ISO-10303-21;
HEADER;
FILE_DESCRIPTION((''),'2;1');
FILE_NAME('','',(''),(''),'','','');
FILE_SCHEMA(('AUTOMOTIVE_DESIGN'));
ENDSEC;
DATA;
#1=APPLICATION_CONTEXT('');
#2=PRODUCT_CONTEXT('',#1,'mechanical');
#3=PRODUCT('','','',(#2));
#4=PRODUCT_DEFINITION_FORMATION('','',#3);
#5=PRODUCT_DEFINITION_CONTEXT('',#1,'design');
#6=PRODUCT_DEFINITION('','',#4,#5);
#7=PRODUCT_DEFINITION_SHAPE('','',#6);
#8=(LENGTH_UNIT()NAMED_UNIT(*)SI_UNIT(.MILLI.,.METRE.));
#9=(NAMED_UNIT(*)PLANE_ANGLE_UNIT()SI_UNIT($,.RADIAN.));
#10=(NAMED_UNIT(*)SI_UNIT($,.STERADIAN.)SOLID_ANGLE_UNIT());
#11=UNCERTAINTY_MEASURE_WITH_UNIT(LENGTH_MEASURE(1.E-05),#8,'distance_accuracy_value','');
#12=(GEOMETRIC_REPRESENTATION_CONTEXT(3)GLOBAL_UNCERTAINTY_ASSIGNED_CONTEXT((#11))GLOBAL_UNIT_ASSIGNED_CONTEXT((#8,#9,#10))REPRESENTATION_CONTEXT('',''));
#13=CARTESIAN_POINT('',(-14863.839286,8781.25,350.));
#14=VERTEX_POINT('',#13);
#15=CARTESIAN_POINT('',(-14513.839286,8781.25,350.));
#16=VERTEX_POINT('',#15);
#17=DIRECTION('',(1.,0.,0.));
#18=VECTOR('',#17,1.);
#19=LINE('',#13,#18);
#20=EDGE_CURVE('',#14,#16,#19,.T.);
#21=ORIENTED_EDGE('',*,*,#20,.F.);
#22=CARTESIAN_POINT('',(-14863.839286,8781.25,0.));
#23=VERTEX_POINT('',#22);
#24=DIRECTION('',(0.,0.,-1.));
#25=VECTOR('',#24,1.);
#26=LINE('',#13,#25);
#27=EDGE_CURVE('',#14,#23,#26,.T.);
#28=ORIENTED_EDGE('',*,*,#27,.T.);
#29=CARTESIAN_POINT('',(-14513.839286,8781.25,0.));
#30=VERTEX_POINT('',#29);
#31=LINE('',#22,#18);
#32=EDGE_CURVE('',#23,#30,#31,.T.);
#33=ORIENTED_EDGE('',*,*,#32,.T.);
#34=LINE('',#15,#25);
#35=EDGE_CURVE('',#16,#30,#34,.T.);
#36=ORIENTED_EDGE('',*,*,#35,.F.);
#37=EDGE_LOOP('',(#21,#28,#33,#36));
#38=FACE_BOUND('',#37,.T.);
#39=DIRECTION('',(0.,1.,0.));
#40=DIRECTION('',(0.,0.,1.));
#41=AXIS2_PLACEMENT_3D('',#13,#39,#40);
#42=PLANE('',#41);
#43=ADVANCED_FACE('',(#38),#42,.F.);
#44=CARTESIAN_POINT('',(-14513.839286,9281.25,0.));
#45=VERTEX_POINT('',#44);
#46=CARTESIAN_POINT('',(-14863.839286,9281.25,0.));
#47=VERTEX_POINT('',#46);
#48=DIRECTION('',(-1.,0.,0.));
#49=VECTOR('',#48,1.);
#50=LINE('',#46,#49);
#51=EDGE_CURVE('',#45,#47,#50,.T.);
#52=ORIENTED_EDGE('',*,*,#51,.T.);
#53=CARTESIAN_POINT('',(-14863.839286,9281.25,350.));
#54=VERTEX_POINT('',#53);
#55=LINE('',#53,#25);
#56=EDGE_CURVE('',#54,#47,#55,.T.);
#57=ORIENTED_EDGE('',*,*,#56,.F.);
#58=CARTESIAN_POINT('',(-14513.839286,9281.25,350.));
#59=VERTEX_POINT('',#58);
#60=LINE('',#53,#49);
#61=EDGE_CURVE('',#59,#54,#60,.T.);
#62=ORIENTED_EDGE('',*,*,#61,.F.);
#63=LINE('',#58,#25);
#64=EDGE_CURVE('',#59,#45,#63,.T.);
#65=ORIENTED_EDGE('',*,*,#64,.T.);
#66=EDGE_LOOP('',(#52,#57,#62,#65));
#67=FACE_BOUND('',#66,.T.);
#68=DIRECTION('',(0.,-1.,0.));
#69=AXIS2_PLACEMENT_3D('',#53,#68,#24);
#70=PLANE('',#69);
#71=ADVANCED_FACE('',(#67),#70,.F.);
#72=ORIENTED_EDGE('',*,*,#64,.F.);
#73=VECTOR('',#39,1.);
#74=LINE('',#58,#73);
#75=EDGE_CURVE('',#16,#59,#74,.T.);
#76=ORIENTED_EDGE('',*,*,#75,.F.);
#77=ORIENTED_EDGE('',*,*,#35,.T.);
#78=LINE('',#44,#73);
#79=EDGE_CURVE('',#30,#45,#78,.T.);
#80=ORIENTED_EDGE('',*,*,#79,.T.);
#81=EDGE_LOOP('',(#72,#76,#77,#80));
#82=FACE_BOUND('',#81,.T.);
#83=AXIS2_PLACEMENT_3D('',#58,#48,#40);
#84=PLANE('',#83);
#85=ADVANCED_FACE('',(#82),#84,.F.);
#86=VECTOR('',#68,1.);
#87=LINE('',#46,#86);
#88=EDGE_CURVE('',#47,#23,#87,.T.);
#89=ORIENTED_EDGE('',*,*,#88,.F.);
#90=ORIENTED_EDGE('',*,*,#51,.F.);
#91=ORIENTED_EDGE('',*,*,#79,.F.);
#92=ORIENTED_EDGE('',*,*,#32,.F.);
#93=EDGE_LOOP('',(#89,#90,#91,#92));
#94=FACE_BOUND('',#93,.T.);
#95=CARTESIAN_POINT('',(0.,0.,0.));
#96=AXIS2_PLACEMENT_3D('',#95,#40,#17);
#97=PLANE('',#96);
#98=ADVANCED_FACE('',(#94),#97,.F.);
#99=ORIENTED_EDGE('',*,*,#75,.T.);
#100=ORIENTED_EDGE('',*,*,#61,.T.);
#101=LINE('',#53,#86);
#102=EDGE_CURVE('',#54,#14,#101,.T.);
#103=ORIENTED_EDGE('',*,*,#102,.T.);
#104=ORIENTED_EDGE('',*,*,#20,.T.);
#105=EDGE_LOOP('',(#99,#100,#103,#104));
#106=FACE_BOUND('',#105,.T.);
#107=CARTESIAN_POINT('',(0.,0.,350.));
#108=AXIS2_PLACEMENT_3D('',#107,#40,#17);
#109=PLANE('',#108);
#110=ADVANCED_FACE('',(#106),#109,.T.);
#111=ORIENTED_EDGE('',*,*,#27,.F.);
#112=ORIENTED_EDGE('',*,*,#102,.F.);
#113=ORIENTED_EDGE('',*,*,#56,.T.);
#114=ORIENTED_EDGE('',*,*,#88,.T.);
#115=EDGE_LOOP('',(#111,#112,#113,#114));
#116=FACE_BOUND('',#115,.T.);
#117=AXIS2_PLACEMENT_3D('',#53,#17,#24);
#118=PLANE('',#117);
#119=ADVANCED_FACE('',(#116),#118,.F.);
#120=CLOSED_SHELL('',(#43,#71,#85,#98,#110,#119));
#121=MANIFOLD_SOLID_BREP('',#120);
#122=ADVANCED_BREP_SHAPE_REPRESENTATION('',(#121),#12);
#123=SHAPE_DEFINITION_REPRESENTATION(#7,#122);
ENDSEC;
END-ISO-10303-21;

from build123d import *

# Parameters (mm, degrees)
SKETCH_1_W      = 350
SKETCH_1_H      = 500
EXTRUDE_1_DEPTH = 350


with BuildPart() as part:
    # 草圖1 → 填料-伸長1 (new body)
    with BuildSketch(Plane.XY):
        with Locations((-14688.839285714, 9031.25)):
            Rectangle(SKETCH_1_W, SKETCH_1_H)
    extrude(amount=EXTRUDE_1_DEPTH)


solid = part.part
